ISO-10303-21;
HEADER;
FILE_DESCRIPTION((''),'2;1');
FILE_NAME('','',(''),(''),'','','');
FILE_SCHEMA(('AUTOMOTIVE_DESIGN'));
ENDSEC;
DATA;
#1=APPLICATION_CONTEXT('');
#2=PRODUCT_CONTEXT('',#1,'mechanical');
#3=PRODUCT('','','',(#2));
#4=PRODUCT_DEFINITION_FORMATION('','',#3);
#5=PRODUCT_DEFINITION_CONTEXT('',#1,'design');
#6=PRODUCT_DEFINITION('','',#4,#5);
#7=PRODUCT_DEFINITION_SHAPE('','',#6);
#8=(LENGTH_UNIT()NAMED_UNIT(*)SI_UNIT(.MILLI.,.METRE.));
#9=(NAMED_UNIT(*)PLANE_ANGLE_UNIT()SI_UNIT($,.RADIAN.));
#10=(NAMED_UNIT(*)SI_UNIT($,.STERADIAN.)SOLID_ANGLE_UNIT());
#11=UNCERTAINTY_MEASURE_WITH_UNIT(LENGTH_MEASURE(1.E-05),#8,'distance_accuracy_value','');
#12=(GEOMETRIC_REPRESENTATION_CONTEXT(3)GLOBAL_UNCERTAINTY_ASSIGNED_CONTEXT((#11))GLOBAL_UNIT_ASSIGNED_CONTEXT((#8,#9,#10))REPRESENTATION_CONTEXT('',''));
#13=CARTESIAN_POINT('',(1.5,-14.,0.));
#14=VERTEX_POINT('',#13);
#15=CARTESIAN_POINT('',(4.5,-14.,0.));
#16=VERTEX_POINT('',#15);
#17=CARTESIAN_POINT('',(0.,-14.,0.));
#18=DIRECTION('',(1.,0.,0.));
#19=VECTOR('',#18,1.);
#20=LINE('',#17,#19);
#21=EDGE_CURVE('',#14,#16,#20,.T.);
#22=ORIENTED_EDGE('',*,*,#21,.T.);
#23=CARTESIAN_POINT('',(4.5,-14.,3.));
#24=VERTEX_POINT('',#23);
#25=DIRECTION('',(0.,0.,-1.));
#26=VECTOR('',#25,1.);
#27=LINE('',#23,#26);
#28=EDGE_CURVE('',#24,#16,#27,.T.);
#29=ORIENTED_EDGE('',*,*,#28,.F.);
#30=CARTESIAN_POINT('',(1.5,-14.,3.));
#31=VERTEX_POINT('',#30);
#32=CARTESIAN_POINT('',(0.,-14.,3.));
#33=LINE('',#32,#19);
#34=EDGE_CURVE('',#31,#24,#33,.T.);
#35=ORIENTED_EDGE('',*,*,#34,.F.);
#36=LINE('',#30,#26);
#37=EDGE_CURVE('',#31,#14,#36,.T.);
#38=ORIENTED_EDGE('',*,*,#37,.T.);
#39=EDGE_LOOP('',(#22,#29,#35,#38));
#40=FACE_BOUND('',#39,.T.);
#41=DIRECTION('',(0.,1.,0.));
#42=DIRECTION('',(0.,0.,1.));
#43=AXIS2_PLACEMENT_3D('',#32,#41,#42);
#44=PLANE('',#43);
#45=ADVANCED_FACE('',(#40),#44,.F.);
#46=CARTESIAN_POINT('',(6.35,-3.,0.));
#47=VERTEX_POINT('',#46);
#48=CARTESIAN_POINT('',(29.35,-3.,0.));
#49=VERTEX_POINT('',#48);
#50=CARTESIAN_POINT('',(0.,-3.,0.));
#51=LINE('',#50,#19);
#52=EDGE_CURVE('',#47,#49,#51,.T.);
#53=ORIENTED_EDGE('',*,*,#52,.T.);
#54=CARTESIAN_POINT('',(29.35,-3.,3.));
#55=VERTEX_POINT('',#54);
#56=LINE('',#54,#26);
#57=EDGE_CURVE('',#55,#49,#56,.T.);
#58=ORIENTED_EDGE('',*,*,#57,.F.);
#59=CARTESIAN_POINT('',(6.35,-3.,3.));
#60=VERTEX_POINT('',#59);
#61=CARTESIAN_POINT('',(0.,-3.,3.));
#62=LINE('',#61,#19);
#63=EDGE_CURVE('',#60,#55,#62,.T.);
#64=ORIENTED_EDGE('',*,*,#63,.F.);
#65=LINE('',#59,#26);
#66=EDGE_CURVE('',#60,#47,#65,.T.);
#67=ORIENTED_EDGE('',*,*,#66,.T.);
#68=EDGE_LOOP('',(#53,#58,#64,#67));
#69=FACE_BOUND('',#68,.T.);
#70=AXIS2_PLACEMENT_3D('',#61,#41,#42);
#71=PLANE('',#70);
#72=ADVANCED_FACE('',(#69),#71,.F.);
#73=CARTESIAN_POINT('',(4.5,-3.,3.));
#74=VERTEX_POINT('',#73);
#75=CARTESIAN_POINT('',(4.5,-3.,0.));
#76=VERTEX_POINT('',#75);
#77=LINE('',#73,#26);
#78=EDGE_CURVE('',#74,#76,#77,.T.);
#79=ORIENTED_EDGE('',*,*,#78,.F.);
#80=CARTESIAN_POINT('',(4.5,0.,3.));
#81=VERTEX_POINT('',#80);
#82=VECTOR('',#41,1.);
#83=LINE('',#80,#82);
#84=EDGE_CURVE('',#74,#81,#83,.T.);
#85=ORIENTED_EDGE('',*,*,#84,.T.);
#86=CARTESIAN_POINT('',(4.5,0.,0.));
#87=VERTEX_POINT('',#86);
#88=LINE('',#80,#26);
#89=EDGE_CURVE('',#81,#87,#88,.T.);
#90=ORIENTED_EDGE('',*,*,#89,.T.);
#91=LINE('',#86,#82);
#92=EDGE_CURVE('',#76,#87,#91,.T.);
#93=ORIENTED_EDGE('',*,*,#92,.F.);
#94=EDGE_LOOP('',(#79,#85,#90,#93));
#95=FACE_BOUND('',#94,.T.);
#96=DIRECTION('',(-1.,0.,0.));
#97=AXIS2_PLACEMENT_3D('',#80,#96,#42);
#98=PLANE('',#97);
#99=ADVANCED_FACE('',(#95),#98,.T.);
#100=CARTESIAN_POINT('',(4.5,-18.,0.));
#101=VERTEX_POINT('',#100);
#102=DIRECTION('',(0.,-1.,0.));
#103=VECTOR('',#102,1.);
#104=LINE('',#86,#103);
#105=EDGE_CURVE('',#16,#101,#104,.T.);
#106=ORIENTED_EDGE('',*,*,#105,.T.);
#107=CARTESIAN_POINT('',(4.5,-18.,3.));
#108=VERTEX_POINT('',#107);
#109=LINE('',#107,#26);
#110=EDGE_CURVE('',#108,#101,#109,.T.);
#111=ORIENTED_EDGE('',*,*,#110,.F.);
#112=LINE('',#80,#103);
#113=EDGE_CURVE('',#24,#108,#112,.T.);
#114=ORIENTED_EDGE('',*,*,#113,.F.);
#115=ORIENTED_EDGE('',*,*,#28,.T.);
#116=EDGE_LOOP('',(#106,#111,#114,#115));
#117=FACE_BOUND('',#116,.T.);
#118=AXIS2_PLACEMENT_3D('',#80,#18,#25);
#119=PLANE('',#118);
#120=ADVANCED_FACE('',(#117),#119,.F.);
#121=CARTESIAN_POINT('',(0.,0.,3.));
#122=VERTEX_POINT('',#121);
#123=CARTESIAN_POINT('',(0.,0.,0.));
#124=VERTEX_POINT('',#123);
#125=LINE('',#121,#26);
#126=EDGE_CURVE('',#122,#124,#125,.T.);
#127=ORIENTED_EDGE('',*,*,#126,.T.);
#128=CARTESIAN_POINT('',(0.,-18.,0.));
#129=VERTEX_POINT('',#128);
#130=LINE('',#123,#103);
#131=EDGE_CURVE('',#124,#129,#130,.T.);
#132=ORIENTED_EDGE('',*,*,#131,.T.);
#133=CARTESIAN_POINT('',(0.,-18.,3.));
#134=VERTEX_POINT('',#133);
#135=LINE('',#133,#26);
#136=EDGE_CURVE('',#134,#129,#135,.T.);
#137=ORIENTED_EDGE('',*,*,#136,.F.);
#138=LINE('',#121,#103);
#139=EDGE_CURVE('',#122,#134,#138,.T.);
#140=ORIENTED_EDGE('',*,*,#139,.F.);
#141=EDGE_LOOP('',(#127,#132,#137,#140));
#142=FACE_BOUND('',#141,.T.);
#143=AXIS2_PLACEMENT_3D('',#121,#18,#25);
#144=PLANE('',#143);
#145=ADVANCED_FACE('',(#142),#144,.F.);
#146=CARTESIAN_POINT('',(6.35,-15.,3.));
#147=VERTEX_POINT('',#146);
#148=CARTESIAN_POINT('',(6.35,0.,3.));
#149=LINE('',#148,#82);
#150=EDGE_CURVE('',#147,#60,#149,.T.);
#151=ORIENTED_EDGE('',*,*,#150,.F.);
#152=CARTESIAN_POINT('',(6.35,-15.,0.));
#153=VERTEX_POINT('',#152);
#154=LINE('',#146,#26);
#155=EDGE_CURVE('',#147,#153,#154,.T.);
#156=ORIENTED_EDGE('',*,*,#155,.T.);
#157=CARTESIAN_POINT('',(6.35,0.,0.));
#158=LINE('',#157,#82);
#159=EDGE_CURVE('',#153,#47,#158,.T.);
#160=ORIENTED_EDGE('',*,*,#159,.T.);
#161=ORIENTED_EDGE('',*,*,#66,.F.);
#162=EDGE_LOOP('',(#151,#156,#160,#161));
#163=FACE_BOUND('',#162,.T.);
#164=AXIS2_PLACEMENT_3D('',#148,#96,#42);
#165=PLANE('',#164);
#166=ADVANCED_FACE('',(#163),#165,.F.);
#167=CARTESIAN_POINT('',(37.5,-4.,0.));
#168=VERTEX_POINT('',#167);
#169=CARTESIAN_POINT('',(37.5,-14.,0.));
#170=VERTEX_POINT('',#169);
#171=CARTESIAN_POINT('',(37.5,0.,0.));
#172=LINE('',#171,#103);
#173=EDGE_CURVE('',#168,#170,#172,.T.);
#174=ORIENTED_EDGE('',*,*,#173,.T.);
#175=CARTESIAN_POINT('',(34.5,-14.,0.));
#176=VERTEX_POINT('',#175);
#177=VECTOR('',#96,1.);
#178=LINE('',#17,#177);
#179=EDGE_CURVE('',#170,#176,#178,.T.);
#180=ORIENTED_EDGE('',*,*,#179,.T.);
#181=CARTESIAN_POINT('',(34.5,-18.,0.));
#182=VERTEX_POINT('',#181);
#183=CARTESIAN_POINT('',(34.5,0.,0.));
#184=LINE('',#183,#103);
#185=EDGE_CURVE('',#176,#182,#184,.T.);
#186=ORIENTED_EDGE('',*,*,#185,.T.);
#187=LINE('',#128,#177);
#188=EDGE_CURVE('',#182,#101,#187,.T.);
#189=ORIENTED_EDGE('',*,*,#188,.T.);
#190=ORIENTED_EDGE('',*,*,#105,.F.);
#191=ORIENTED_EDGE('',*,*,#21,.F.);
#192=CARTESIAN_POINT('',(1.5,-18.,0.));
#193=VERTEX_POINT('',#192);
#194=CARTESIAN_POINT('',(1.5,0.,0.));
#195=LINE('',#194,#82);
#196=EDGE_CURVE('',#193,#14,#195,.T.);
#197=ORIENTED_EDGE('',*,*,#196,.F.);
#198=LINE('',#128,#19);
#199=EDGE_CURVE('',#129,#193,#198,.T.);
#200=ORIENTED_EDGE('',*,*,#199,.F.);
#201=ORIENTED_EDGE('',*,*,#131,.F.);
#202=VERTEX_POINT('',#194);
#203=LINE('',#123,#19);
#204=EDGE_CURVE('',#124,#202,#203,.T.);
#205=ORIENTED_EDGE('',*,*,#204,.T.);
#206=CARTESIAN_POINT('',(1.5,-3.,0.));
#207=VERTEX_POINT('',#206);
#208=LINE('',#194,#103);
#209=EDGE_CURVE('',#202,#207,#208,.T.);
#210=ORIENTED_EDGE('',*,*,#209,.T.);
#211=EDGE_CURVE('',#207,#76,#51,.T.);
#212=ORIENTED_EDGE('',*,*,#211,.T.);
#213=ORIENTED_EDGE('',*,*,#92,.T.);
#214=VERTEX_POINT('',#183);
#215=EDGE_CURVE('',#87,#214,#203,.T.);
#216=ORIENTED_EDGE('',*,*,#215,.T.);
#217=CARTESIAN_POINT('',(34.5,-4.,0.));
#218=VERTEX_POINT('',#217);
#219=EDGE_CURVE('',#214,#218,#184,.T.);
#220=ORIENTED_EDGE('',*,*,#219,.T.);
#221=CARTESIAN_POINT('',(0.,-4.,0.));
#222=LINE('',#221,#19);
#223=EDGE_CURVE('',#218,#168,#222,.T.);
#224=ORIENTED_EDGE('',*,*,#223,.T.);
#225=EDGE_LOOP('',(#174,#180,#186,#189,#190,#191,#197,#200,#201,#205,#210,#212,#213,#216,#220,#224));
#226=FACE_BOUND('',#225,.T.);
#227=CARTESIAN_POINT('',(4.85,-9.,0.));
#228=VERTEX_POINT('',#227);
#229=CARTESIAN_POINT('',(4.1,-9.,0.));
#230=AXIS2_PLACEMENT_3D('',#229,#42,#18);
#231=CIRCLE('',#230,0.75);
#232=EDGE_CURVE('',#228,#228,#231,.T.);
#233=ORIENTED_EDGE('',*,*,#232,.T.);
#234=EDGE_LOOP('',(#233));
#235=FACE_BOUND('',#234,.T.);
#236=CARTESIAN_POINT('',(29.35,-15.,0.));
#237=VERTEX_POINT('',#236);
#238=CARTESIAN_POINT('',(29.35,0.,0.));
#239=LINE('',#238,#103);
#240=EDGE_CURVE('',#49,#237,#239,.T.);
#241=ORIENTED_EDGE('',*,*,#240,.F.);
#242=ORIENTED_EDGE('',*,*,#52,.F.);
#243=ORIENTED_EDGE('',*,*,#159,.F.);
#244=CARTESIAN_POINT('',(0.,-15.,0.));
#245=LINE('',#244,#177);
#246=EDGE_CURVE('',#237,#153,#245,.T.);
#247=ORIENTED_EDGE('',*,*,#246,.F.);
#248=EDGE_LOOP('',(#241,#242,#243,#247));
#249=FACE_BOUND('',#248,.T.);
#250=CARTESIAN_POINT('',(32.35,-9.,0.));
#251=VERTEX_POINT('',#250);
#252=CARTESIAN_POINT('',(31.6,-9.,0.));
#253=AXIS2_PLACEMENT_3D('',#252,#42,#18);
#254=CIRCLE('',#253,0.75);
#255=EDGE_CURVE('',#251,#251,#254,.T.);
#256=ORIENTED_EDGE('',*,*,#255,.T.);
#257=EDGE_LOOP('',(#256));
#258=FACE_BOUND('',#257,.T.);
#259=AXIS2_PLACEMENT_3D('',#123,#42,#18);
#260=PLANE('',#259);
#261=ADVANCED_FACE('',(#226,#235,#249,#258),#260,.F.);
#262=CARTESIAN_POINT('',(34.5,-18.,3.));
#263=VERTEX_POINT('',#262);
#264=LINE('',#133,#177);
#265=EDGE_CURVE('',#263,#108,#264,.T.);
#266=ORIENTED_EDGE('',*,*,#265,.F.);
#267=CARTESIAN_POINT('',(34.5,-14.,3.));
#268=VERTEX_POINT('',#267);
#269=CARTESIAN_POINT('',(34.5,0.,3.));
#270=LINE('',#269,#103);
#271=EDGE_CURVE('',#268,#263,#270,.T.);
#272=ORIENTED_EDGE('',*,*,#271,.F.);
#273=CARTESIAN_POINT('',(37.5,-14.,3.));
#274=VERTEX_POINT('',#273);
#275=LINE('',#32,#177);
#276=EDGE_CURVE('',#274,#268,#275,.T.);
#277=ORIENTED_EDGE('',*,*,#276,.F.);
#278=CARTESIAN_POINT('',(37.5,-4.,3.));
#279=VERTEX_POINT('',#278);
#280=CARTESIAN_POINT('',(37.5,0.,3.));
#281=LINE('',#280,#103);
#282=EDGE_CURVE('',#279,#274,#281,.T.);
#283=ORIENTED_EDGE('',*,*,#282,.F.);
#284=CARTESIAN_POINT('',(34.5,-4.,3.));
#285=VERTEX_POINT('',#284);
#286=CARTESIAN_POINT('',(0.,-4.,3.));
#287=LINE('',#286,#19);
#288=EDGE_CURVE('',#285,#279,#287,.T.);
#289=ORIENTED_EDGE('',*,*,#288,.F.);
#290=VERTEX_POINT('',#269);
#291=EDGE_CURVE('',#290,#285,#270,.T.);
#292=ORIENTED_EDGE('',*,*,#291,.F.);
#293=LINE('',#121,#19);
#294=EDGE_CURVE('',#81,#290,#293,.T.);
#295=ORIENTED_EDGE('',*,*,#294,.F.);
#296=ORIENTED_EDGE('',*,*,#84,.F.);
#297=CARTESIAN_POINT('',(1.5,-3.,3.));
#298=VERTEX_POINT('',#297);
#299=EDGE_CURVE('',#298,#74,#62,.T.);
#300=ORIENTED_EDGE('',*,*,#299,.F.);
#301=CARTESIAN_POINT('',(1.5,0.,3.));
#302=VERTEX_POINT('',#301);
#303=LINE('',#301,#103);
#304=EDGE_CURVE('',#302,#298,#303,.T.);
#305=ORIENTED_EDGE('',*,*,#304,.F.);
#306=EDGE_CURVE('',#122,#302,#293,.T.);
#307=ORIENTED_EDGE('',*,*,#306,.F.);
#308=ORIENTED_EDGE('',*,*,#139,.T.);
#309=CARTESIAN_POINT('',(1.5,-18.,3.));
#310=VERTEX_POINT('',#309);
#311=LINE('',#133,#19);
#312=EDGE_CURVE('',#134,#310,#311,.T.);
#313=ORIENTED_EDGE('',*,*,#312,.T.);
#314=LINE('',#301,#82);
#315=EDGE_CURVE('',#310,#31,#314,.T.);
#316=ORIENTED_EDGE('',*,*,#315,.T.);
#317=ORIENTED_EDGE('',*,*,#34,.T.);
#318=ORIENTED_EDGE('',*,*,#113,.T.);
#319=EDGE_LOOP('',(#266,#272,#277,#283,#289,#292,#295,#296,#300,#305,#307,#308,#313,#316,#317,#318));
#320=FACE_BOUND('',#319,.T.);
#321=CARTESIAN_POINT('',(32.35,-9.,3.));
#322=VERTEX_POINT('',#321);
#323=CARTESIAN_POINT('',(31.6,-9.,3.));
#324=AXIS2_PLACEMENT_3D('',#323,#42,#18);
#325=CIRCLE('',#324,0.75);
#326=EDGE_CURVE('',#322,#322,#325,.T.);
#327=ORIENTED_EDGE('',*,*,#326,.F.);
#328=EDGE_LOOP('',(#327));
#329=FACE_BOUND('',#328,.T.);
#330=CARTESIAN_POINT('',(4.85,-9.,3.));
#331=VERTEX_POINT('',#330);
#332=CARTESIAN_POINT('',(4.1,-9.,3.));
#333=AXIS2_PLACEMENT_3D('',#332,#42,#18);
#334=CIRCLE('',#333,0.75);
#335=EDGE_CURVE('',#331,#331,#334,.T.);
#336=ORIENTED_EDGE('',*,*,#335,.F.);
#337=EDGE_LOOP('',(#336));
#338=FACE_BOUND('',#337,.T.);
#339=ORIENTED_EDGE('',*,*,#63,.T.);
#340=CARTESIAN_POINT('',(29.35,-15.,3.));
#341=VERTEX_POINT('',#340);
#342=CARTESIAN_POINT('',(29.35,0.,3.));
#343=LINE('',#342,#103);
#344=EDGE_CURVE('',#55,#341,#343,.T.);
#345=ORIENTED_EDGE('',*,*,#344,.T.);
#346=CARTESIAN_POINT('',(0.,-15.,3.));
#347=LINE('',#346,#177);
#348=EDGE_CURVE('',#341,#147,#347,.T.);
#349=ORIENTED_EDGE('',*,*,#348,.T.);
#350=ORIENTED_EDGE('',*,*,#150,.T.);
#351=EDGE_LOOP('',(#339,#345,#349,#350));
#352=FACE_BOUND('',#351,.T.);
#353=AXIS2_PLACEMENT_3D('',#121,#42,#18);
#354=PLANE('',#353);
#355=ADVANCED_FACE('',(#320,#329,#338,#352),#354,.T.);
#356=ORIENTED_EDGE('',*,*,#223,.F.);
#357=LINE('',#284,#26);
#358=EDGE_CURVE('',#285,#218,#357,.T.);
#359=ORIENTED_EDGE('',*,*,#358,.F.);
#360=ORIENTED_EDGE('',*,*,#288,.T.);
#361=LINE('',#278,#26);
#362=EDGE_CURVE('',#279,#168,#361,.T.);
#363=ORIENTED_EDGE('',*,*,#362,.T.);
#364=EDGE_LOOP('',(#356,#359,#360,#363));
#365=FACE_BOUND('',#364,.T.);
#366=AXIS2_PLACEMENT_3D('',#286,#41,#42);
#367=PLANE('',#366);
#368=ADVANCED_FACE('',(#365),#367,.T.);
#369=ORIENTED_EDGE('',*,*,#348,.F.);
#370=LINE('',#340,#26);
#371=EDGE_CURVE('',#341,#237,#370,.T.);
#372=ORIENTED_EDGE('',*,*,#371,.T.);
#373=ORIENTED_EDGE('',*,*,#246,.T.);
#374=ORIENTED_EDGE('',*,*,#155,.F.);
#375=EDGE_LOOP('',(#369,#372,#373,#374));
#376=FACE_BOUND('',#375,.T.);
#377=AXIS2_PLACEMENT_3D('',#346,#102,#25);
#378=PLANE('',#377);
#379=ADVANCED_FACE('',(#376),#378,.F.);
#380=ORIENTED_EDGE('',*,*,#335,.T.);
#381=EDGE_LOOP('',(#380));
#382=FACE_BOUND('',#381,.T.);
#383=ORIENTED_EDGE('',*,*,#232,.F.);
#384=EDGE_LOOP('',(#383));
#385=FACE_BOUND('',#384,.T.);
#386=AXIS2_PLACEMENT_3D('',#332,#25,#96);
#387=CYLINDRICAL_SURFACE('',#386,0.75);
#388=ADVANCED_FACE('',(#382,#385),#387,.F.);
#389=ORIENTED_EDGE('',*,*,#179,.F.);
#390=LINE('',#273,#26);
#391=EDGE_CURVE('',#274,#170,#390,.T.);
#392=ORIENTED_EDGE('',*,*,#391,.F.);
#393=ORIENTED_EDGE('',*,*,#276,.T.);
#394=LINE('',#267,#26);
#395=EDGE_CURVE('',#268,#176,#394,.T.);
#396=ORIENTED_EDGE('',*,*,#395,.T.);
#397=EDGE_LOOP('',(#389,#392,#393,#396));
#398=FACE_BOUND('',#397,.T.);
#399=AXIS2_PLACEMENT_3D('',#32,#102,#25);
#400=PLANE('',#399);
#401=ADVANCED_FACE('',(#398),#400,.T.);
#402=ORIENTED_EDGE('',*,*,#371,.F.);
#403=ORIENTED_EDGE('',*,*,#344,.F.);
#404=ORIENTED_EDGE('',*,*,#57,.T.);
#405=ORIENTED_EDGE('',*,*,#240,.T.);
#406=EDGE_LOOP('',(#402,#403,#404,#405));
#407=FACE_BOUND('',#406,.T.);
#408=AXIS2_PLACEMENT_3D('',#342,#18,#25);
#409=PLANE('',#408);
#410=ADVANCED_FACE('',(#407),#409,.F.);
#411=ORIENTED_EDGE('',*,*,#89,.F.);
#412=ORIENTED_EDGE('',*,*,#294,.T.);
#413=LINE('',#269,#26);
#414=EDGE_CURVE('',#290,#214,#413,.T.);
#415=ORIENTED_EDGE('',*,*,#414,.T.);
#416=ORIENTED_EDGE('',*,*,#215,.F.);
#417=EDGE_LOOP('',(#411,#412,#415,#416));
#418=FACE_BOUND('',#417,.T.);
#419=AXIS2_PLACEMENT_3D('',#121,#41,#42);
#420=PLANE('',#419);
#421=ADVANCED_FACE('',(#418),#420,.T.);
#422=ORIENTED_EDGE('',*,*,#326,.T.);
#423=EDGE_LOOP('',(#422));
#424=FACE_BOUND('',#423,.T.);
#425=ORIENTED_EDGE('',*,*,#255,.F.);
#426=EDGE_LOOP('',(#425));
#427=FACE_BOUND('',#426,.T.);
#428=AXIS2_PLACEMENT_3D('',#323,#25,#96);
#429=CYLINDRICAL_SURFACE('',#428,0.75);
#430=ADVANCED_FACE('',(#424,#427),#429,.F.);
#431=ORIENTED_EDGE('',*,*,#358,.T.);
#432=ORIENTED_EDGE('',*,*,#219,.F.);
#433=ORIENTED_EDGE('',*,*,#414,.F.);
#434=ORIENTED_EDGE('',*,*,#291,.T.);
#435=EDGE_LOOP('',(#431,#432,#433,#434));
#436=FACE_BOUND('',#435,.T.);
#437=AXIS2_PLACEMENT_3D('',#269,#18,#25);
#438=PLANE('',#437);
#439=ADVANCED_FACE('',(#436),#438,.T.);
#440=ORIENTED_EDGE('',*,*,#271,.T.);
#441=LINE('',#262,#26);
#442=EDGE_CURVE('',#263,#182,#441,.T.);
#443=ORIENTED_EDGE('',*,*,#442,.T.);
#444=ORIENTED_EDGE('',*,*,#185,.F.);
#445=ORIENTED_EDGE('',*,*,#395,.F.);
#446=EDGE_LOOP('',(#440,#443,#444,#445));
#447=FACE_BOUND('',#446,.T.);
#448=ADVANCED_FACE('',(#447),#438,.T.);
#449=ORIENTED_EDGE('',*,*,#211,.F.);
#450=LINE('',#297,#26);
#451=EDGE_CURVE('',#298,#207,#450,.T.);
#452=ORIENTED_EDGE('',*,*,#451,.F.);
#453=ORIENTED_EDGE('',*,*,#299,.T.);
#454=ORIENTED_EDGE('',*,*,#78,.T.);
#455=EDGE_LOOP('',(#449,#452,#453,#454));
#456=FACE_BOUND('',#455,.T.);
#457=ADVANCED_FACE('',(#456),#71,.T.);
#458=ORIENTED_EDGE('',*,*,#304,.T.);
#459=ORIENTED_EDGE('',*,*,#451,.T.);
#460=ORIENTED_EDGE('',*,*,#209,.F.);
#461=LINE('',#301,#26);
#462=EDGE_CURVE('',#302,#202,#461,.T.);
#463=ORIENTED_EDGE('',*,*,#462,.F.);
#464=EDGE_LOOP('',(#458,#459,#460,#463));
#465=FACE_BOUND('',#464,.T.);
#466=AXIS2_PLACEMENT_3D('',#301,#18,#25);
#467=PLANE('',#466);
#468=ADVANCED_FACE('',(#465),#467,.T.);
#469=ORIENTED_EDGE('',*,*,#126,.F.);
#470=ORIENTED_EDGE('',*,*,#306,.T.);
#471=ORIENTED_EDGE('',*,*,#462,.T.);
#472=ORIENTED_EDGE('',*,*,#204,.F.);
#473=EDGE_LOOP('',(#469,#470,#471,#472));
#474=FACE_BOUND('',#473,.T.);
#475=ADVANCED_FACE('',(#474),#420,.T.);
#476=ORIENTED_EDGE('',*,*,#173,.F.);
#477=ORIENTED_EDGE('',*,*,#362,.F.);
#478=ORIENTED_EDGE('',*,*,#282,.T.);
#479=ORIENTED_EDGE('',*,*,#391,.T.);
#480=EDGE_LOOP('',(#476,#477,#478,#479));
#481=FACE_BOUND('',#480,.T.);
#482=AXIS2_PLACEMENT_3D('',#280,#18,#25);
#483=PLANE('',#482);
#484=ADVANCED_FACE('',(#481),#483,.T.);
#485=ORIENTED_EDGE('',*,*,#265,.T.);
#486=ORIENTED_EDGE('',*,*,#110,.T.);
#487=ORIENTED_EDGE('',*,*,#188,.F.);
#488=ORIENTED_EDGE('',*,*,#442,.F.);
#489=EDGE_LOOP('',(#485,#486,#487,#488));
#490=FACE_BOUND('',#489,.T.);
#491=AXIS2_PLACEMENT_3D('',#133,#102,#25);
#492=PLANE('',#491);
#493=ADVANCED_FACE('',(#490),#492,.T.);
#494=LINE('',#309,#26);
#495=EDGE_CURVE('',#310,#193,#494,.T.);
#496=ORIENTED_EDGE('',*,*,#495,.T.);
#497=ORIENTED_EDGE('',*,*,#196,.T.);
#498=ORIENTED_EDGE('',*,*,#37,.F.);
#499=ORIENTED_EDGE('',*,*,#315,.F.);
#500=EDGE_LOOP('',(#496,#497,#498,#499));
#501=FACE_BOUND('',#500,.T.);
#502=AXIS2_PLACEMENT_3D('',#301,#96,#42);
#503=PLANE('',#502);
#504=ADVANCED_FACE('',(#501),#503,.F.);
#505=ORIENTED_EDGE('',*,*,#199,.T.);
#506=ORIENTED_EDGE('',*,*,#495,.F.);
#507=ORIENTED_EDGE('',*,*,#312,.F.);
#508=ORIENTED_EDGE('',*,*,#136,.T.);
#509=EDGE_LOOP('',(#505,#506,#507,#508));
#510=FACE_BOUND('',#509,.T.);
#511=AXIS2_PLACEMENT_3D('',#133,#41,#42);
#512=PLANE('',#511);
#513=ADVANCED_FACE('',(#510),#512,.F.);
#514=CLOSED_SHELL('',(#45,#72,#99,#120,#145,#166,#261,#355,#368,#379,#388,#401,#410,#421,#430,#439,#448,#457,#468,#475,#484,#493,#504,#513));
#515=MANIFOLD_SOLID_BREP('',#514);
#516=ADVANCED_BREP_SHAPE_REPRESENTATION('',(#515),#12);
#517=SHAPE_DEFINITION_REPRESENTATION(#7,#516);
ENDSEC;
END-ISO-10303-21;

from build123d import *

# Parameters (mm, degrees)
SKETCH_1_R      = 1.5
SKETCH_1_R_2    = 0.75
EXTRUDE_9_DEPTH = 3


with BuildPart() as part:
    # 草图1 → 凸台-拉伸9 (new body)
    # profile 1 of 2: a face of its own
    with BuildSketch(Plane.XY):
        Polygon((37.5, -4), (37.5, -14), (34.5, -14), (34.5, -18), (4.5, -18), (4.5, -14), (1.5, -14), (1.5, -18), (0, -18), (0, 0), (1.5, 0), (1.5, -3), (4.5, -3), (4.5, 0), (34.5, 0), (34.5, -4), align=None)
        with Locations((36, -9)):
            Circle(SKETCH_1_R, mode=Mode.SUBTRACT)
        with Locations((4.1, -9)):
            Circle(SKETCH_1_R_2, mode=Mode.SUBTRACT)
        with Locations((31.6, -9)):
            Circle(SKETCH_1_R_2, mode=Mode.SUBTRACT)
        Polygon((29.35, -15), (6.35, -15), (6.35, -9), (6.35, -3), (29.35, -3), align=None, mode=Mode.SUBTRACT)
    # profile 2 of 2: a face of its own
    with BuildSketch(Plane.XY):
        with Locations((36, -9)):
            Circle(SKETCH_1_R)
    extrude(amount=EXTRUDE_9_DEPTH)


solid = part.part
